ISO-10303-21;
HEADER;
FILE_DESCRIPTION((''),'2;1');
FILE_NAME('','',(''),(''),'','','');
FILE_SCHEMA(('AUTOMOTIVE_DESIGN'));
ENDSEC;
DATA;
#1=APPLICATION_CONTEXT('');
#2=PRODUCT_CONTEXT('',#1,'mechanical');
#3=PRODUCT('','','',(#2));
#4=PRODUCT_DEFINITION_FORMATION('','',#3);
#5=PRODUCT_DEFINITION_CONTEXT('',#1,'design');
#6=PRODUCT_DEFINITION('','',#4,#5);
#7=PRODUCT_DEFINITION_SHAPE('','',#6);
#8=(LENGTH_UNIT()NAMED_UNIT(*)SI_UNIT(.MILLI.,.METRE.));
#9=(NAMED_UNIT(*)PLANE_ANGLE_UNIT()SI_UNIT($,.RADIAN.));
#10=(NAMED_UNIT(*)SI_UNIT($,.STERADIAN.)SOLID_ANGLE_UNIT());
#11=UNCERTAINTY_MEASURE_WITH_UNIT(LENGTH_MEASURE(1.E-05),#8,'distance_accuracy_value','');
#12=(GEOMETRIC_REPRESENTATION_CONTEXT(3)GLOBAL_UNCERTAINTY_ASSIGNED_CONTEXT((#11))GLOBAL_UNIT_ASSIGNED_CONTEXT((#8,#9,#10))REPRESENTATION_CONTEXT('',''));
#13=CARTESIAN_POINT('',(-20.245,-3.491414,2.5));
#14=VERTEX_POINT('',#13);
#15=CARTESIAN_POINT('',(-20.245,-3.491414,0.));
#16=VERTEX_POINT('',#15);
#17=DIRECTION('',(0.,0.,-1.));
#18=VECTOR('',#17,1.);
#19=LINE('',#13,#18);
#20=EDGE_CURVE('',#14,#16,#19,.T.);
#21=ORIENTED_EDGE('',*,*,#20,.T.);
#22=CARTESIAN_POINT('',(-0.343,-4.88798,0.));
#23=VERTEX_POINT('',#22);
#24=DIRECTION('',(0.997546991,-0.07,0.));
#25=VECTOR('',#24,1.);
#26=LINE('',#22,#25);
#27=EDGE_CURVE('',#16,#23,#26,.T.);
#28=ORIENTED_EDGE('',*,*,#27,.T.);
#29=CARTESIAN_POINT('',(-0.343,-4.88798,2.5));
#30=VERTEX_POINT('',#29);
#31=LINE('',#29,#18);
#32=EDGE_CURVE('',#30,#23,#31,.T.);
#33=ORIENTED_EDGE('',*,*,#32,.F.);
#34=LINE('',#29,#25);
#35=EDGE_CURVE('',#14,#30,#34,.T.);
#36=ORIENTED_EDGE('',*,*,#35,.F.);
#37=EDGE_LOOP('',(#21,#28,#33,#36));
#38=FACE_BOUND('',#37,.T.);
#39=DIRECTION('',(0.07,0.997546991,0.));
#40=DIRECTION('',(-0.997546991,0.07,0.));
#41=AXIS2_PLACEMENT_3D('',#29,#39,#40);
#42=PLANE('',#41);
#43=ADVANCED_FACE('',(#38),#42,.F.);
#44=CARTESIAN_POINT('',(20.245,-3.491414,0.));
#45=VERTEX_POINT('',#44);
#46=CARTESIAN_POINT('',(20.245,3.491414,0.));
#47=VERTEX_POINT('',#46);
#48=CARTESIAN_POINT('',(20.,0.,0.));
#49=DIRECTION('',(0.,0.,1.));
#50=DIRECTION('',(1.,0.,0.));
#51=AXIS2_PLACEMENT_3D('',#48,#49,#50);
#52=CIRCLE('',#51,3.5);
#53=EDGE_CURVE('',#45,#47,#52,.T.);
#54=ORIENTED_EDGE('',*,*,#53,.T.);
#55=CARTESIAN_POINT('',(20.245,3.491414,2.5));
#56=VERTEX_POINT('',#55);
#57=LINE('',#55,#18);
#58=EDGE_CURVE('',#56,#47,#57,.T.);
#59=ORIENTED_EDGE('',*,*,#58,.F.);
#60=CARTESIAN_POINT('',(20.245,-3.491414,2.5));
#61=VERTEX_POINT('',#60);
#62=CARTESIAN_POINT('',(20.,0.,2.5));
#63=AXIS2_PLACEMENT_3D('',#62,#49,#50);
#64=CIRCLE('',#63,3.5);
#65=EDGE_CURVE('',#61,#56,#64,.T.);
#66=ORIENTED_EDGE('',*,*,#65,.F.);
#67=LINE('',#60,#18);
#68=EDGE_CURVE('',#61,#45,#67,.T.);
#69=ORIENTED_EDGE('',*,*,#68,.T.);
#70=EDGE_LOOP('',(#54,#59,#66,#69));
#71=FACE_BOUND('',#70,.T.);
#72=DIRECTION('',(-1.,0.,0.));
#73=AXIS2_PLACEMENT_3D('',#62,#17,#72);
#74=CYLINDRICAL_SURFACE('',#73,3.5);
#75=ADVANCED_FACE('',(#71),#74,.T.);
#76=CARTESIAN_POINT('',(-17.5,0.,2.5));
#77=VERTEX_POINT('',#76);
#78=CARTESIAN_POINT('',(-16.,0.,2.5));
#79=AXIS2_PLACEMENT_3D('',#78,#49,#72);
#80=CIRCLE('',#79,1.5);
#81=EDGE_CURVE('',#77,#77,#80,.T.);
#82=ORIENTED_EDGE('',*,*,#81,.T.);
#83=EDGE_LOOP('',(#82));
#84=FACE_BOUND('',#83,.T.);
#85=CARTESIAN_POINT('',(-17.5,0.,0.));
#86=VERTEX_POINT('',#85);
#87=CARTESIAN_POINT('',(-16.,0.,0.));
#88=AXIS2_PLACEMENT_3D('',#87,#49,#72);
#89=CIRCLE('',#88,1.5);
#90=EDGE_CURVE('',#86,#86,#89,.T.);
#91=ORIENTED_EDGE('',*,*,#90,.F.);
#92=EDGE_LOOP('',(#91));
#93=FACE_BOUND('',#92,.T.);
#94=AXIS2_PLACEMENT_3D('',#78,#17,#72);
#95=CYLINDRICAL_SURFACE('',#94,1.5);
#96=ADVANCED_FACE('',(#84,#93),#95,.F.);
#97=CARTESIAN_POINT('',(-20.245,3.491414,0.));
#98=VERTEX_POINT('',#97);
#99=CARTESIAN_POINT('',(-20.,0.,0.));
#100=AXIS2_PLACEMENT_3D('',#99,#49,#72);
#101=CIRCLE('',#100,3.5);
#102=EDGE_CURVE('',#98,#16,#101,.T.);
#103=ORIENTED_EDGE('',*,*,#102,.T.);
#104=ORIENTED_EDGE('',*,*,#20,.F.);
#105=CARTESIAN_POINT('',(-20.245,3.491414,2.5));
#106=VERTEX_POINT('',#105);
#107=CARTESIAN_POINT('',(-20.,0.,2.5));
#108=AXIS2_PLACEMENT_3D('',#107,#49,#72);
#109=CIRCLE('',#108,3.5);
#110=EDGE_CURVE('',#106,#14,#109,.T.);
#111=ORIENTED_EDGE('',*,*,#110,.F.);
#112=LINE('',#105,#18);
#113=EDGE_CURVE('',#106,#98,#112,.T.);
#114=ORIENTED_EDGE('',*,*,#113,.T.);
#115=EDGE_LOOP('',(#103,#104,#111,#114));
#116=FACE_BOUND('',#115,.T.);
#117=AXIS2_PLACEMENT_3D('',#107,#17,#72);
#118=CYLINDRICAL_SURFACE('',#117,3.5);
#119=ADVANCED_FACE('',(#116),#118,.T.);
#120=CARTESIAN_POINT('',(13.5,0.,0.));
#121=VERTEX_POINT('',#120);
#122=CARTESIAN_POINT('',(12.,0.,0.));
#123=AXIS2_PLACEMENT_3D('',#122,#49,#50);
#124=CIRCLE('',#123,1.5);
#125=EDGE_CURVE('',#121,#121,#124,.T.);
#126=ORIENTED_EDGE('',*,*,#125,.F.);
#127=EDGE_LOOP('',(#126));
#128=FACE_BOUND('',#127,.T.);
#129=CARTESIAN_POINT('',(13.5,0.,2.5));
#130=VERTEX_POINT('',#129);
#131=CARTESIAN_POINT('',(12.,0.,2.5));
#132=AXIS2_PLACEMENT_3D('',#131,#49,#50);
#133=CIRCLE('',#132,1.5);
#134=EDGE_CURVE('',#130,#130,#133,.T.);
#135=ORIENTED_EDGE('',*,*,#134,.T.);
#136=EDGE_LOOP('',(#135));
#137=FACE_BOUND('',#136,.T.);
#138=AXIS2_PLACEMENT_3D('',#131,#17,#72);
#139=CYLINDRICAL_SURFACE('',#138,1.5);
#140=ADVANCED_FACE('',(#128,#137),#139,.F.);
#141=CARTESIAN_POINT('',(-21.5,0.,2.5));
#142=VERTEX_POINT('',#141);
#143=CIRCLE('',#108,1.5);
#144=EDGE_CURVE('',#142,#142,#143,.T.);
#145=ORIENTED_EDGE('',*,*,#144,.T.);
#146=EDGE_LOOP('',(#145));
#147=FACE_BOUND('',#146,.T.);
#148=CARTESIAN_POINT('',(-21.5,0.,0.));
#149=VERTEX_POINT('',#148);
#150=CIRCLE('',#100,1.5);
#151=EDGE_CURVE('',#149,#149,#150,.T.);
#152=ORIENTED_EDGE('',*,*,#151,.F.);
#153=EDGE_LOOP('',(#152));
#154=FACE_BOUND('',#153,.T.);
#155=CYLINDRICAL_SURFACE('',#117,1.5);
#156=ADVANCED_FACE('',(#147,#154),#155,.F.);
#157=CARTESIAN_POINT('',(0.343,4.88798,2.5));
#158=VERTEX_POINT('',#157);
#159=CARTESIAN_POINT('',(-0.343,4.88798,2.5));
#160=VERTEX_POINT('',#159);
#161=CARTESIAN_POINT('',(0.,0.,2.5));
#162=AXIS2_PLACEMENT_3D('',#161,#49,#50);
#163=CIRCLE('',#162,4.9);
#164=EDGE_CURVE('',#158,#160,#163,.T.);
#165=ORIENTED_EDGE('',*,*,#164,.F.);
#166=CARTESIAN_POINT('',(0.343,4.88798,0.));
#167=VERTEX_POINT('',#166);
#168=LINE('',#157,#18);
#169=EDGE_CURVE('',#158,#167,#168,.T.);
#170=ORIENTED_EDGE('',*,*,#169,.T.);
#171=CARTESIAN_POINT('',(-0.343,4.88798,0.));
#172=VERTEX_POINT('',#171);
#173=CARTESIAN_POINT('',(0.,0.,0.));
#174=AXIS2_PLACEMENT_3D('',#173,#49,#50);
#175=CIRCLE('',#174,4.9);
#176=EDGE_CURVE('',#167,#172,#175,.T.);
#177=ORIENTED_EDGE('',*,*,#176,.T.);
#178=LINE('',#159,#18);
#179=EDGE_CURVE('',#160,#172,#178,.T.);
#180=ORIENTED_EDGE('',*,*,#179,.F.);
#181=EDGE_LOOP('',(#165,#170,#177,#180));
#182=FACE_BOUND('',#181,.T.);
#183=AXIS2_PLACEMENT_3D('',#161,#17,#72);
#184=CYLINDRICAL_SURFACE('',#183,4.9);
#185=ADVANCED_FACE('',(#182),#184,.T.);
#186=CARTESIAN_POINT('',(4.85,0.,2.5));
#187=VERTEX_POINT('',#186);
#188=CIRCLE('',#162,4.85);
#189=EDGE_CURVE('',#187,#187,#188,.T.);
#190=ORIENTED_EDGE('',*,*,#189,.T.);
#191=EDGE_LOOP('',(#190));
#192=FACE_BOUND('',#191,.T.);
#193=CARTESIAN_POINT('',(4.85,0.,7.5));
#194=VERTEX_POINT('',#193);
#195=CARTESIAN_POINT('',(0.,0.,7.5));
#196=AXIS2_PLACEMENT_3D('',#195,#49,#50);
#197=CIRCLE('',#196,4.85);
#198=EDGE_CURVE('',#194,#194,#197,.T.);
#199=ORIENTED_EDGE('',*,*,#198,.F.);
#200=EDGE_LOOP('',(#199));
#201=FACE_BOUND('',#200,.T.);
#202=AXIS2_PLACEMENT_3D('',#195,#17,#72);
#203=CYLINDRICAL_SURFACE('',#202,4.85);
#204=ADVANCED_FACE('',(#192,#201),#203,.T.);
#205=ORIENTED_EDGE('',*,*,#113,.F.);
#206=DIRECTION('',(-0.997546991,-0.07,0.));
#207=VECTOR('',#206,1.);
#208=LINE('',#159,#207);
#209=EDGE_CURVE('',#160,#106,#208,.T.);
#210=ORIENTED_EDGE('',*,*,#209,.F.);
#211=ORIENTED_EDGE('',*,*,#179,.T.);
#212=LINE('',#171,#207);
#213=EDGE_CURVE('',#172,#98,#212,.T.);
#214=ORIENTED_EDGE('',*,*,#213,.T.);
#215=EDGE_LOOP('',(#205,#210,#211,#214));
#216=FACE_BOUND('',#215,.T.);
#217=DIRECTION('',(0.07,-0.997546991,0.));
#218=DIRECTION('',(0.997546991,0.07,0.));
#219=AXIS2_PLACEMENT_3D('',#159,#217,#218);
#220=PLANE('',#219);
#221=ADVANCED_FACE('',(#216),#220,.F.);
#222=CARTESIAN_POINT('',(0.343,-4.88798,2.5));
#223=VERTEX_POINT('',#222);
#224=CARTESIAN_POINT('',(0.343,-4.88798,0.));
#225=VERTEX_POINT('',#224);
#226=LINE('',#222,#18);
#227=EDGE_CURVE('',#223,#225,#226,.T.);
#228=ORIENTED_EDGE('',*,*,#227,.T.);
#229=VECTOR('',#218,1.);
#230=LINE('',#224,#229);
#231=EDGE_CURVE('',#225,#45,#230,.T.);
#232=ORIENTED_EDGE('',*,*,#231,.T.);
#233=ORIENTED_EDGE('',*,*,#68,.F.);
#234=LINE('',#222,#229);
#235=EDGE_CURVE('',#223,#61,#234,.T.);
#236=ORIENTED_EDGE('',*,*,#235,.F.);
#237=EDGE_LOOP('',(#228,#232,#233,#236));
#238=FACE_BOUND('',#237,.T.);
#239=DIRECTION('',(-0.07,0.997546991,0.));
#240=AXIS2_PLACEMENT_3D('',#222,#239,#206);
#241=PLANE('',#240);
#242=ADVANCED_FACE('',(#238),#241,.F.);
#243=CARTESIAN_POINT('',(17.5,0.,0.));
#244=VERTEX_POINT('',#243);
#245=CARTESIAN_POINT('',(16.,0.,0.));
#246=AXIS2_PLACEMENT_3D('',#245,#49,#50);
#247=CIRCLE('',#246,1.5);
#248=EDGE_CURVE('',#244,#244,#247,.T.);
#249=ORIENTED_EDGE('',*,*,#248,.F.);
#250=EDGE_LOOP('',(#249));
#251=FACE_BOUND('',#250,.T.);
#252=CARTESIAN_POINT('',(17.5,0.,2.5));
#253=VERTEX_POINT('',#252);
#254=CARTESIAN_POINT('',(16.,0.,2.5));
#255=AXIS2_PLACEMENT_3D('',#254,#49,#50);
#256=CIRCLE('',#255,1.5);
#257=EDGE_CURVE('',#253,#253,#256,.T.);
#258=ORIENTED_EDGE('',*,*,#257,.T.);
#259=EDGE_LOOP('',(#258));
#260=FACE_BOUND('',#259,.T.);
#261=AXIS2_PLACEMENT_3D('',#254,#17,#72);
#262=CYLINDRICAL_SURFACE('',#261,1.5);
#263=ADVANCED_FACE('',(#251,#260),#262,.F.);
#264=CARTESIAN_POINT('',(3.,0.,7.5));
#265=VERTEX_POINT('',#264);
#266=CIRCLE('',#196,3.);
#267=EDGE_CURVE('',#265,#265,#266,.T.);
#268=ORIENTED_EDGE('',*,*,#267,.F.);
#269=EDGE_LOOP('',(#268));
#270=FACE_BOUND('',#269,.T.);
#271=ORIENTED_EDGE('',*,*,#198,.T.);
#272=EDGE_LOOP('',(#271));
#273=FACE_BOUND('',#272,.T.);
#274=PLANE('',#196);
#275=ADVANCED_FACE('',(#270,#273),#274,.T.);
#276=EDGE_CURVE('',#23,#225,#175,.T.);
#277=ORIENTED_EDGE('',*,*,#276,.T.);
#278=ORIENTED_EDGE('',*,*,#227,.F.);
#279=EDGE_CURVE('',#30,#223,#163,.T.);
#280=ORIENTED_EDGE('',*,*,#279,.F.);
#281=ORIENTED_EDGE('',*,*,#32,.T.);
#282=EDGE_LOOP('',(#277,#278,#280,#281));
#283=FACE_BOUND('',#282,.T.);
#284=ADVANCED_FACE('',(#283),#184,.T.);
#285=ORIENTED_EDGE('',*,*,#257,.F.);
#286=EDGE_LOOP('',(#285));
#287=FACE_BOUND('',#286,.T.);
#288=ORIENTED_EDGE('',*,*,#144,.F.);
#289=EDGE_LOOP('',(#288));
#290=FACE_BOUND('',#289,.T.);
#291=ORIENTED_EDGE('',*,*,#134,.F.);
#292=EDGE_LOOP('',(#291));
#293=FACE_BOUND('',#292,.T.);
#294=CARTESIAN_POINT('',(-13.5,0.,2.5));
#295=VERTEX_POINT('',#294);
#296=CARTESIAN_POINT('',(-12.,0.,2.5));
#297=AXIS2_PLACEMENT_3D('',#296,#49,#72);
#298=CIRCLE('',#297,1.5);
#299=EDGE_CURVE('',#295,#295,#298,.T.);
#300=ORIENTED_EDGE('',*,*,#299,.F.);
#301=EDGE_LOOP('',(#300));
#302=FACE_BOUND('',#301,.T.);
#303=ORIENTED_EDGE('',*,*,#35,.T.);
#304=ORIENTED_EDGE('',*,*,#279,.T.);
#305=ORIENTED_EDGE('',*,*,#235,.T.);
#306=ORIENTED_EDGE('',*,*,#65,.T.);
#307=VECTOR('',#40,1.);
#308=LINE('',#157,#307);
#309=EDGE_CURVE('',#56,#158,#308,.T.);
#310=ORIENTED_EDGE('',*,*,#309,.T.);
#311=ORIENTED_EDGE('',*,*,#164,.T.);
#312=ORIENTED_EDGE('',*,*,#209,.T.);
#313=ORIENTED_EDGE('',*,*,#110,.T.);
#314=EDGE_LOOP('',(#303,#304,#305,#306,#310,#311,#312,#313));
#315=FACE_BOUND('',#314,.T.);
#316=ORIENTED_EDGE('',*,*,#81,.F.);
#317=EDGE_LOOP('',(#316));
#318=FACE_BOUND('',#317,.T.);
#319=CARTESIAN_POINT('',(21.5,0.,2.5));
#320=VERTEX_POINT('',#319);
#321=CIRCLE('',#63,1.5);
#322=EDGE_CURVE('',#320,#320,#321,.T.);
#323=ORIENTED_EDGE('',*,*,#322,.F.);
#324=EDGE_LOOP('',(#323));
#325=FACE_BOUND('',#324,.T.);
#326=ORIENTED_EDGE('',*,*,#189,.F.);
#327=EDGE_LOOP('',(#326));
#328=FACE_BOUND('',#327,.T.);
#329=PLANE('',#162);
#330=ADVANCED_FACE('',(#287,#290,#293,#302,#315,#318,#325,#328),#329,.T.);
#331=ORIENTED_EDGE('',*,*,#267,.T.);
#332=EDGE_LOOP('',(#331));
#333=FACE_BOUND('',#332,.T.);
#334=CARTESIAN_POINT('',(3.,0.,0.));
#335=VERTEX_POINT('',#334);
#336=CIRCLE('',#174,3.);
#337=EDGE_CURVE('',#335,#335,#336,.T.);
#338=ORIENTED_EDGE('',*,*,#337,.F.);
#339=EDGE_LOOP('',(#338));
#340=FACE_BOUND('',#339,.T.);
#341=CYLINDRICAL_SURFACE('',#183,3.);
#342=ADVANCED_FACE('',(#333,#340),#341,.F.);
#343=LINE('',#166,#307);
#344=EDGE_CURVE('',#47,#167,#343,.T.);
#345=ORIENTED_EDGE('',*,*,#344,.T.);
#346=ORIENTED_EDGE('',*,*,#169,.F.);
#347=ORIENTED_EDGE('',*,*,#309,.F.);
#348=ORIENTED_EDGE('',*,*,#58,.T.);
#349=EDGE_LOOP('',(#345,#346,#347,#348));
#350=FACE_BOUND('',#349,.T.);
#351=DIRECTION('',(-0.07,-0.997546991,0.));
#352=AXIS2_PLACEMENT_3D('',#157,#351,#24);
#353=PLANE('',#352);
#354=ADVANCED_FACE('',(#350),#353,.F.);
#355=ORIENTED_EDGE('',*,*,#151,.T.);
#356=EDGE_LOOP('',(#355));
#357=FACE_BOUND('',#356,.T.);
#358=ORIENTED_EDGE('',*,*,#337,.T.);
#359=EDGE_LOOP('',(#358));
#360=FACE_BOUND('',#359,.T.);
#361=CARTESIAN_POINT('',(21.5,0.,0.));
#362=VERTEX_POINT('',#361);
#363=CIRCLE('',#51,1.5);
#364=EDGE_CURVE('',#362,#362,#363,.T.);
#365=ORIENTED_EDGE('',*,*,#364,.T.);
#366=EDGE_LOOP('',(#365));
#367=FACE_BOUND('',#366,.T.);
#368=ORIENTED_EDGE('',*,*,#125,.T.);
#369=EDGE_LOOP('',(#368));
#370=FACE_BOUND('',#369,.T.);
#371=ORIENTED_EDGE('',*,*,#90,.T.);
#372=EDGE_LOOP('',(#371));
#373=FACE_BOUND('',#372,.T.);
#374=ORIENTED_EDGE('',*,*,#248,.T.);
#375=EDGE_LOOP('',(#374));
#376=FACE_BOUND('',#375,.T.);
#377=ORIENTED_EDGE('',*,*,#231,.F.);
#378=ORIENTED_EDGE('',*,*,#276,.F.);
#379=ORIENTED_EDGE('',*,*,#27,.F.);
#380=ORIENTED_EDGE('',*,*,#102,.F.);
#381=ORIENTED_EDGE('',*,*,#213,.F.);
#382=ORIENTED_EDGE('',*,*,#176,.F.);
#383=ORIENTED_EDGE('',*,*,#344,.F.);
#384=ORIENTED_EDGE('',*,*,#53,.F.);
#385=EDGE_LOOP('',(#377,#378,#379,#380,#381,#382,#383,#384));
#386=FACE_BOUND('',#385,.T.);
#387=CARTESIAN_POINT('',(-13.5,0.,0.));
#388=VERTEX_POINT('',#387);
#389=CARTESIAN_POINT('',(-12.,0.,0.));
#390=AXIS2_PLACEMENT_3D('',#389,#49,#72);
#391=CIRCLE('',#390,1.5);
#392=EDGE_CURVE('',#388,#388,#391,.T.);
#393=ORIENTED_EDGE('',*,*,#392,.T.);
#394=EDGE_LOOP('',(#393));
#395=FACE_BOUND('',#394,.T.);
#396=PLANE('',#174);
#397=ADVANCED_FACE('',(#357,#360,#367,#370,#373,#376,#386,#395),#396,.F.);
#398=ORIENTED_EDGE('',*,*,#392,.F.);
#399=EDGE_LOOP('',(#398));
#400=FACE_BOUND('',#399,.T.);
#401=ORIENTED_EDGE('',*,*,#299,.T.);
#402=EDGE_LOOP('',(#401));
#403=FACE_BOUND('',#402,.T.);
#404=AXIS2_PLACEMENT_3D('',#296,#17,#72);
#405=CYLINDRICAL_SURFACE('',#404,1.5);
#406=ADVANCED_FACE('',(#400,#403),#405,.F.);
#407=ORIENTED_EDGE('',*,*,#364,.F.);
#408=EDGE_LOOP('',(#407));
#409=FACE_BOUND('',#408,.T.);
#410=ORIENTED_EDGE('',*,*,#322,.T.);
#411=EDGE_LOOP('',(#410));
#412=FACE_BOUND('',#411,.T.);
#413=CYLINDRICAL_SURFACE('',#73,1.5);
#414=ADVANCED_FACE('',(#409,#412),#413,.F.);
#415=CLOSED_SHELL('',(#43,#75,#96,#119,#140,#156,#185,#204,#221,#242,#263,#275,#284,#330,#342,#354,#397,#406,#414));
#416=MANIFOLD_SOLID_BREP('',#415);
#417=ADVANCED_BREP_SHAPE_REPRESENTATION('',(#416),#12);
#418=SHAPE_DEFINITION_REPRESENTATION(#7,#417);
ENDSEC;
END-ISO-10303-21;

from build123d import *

# Parameters (mm, degrees)
SKETCH_1_R      = 1.5
SKETCH_1_R_2    = 3
EXTRUDE_1_DEPTH = 2.5
SKETCH_2_R      = 4.85
SKETCH_2_R_2    = 3
EXTRUDE_2_DEPTH = 5


with BuildPart() as part:
    # 草图1 → 凸台-拉伸1 (new body)
    with BuildSketch(Plane.XY):
        with BuildLine():
            Line((-0.343, -4.887980258), (-20.245, -3.49141447))
            ThreePointArc((-20.245, -3.49141447), (-23.5, 0), (-20.245, 3.49141447))
            Line((-20.245, 3.49141447), (-0.343, 4.887980258))
            ThreePointArc((-0.343, 4.887980258), (0, 4.9), (0.343, 4.887980258))
            Line((0.343, 4.887980258), (20.245, 3.49141447))
            ThreePointArc((20.245, 3.49141447), (23.5, 0), (20.245, -3.49141447))
            Line((20.245, -3.49141447), (0.343, -4.887980258))
            ThreePointArc((0.343, -4.887980258), (0, -4.9), (-0.343, -4.887980258))
        make_face()
        with Locations((20, 0)):
            Circle(SKETCH_1_R, mode=Mode.SUBTRACT)
        with Locations((16, 0)):
            Circle(SKETCH_1_R, mode=Mode.SUBTRACT)
        with Locations((12, 0)):
            Circle(SKETCH_1_R, mode=Mode.SUBTRACT)
        Circle(SKETCH_1_R_2, mode=Mode.SUBTRACT)
        with Locations(Location((-12, 0, 0), (0, 0, 180))):
            Circle(SKETCH_1_R, mode=Mode.SUBTRACT)
        with Locations(Location((-16, 0, 0), (0, 0, 180))):
            Circle(SKETCH_1_R, mode=Mode.SUBTRACT)
        with Locations(Location((-20, 0, 0), (0, 0, 180))):
            Circle(SKETCH_1_R, mode=Mode.SUBTRACT)
    extrude(amount=EXTRUDE_1_DEPTH)

    # 草图2 → 凸台-拉伸2 (add)
    with BuildSketch(Plane.XY.offset(2.5)):
        Circle(SKETCH_2_R)
        Circle(SKETCH_2_R_2, mode=Mode.SUBTRACT)
    extrude(amount=EXTRUDE_2_DEPTH)


solid = part.part
